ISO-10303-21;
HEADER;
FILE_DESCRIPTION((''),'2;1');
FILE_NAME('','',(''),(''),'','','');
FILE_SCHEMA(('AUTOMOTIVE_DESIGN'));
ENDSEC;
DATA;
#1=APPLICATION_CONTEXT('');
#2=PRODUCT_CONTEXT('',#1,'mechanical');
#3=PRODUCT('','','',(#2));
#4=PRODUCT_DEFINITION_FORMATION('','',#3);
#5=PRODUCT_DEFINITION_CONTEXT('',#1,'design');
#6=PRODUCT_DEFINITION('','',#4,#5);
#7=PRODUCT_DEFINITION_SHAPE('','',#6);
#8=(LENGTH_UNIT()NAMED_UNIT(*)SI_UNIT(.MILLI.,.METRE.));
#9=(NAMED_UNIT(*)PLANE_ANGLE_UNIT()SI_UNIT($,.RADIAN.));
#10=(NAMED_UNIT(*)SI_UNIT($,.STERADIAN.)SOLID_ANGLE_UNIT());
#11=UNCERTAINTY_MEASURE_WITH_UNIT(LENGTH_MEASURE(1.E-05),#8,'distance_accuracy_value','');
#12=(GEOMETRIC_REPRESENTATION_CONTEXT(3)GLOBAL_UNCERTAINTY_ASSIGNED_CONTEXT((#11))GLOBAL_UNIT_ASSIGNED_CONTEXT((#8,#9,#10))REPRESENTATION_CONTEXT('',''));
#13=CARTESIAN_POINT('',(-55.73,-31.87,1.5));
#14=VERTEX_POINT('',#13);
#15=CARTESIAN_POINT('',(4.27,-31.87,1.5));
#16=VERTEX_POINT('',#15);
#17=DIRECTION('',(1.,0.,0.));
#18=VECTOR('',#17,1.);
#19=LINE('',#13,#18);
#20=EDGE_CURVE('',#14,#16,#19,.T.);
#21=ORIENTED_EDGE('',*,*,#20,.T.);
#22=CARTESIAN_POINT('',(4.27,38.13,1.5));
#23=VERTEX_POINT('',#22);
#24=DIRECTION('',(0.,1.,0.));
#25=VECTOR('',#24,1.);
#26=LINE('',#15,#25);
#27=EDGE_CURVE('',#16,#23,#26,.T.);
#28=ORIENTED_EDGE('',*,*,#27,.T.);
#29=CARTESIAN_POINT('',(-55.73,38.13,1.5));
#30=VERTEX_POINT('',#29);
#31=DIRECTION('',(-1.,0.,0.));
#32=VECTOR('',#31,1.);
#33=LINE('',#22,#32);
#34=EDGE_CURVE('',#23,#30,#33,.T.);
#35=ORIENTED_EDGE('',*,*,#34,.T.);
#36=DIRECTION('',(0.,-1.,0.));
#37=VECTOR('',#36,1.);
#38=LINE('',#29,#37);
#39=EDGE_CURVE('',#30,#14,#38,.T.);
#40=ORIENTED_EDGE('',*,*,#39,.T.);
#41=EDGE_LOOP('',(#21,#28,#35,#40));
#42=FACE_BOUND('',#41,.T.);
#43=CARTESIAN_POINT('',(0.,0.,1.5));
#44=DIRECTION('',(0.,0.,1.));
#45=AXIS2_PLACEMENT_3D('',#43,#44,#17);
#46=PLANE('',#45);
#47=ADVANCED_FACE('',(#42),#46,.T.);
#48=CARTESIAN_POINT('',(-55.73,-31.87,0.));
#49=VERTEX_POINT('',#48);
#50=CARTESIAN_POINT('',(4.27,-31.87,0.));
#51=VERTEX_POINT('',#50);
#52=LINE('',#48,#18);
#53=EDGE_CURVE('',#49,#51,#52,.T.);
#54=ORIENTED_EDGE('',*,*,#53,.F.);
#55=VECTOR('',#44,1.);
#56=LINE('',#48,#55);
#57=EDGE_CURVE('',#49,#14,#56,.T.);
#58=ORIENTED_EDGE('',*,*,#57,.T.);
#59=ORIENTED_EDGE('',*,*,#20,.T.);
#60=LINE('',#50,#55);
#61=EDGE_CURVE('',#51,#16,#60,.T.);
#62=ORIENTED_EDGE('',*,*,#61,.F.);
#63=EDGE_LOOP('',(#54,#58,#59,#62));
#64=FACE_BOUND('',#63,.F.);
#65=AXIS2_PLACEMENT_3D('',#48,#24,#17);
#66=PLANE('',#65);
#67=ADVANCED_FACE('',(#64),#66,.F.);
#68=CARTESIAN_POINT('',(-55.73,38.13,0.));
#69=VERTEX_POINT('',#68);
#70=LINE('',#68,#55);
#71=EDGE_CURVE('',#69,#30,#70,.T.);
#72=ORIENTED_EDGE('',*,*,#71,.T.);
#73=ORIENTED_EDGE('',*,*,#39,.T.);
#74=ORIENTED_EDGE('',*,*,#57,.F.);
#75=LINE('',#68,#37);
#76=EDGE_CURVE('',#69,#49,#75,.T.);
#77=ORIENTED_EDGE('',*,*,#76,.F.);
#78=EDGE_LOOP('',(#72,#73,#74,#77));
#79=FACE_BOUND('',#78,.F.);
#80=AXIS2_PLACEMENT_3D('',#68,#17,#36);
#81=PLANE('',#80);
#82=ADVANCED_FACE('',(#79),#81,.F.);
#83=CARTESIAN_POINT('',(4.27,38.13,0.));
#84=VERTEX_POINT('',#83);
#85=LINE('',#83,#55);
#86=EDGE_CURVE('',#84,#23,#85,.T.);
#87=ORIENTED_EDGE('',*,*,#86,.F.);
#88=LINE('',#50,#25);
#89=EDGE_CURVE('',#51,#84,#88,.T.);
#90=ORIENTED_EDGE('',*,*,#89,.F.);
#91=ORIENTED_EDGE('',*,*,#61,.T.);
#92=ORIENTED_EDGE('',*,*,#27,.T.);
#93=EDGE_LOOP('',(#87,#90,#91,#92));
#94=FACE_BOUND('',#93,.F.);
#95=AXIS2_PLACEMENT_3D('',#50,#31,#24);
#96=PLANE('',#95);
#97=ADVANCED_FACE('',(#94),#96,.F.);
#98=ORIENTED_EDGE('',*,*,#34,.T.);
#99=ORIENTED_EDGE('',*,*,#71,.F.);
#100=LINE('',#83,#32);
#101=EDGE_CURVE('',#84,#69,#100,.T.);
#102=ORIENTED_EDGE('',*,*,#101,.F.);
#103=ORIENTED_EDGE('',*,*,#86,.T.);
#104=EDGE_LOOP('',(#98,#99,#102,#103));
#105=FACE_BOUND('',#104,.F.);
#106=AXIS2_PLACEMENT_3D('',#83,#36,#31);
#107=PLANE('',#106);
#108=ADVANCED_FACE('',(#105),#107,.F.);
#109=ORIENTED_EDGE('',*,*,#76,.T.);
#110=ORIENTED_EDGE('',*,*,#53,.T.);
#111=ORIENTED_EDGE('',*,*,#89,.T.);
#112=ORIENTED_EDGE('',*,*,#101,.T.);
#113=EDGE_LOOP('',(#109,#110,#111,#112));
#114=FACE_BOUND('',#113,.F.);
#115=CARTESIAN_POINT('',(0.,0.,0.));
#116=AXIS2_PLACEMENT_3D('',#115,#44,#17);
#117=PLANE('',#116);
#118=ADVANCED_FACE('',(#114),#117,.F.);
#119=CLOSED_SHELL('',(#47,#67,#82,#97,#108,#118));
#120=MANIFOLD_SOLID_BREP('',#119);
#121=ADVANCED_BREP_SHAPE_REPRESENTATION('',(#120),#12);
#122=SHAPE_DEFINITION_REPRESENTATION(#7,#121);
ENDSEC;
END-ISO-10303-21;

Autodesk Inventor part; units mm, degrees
ref_plane "YZ Plane" through (0, 0, 0) normal (1, 0, 0) x (0, 1, 0)
ref_plane "XZ Plane" through (0, 0, 0) normal (0, 1, 0) x (-1, 0, 0)
ref_plane "XY Plane" through (0, 0, 0) normal (0, 0, 1) x (1, 0, 0)
ref_plane "РабПлоскость1" through (0, 0, 0) normal (0, 0, 1) x (1, 0, 0)
sketch "Эскиз1" plane through (0, 0, 0) normal (0, 0, 1) x (1, 0, 0)
  line L0 (0.77, 24.63) -> (1.77, 24.63) projected
  line L1 (1.77, 24.63) -> (1.77, 23.63) projected
  line L2 (1.77, 23.63) -> (0.77, 23.63) projected
  line L3 (0.77, 23.63) -> (0.77, 24.63) projected
  circle A0 centre (1.27, 24.13) radius 0.0769
  line L4 (4.27, 38.13) -> (-55.73, 38.13)
  line L5 (-55.73, 38.13) -> (-55.73, -31.87)
  line L6 (-55.73, -31.87) -> (4.27, -31.87)
  line L7 (4.27, -31.87) -> (4.27, 38.13)
  line L8 (0.77, 23.63) -> (1.77, 24.63)
  line L9 (0.77, 24.63) -> (1.77, 23.63)
  point P0 (0, 0)
  point P1 (1.27, 24.13)
  point P2 (1.27, 24.13)
  dimension "d0" = 3
  dimension "d1" = 70
  dimension "d2" = 60
  dimension "d3" = 14
extrude "Выдавливание1" add sketch "Эскиз1" along normal blind 1.5 contours L9 A0 L8 L3 | L0 L8 A0 L9 | L1 L9 A0 L8 | L8 A0 L9 L2 | L9 L8 A0 | A0 L8 L9 | A0 L9 L8 | L8 L9 A0 | L7 L6 L5 L4
properties part number "плата верные раземры"
